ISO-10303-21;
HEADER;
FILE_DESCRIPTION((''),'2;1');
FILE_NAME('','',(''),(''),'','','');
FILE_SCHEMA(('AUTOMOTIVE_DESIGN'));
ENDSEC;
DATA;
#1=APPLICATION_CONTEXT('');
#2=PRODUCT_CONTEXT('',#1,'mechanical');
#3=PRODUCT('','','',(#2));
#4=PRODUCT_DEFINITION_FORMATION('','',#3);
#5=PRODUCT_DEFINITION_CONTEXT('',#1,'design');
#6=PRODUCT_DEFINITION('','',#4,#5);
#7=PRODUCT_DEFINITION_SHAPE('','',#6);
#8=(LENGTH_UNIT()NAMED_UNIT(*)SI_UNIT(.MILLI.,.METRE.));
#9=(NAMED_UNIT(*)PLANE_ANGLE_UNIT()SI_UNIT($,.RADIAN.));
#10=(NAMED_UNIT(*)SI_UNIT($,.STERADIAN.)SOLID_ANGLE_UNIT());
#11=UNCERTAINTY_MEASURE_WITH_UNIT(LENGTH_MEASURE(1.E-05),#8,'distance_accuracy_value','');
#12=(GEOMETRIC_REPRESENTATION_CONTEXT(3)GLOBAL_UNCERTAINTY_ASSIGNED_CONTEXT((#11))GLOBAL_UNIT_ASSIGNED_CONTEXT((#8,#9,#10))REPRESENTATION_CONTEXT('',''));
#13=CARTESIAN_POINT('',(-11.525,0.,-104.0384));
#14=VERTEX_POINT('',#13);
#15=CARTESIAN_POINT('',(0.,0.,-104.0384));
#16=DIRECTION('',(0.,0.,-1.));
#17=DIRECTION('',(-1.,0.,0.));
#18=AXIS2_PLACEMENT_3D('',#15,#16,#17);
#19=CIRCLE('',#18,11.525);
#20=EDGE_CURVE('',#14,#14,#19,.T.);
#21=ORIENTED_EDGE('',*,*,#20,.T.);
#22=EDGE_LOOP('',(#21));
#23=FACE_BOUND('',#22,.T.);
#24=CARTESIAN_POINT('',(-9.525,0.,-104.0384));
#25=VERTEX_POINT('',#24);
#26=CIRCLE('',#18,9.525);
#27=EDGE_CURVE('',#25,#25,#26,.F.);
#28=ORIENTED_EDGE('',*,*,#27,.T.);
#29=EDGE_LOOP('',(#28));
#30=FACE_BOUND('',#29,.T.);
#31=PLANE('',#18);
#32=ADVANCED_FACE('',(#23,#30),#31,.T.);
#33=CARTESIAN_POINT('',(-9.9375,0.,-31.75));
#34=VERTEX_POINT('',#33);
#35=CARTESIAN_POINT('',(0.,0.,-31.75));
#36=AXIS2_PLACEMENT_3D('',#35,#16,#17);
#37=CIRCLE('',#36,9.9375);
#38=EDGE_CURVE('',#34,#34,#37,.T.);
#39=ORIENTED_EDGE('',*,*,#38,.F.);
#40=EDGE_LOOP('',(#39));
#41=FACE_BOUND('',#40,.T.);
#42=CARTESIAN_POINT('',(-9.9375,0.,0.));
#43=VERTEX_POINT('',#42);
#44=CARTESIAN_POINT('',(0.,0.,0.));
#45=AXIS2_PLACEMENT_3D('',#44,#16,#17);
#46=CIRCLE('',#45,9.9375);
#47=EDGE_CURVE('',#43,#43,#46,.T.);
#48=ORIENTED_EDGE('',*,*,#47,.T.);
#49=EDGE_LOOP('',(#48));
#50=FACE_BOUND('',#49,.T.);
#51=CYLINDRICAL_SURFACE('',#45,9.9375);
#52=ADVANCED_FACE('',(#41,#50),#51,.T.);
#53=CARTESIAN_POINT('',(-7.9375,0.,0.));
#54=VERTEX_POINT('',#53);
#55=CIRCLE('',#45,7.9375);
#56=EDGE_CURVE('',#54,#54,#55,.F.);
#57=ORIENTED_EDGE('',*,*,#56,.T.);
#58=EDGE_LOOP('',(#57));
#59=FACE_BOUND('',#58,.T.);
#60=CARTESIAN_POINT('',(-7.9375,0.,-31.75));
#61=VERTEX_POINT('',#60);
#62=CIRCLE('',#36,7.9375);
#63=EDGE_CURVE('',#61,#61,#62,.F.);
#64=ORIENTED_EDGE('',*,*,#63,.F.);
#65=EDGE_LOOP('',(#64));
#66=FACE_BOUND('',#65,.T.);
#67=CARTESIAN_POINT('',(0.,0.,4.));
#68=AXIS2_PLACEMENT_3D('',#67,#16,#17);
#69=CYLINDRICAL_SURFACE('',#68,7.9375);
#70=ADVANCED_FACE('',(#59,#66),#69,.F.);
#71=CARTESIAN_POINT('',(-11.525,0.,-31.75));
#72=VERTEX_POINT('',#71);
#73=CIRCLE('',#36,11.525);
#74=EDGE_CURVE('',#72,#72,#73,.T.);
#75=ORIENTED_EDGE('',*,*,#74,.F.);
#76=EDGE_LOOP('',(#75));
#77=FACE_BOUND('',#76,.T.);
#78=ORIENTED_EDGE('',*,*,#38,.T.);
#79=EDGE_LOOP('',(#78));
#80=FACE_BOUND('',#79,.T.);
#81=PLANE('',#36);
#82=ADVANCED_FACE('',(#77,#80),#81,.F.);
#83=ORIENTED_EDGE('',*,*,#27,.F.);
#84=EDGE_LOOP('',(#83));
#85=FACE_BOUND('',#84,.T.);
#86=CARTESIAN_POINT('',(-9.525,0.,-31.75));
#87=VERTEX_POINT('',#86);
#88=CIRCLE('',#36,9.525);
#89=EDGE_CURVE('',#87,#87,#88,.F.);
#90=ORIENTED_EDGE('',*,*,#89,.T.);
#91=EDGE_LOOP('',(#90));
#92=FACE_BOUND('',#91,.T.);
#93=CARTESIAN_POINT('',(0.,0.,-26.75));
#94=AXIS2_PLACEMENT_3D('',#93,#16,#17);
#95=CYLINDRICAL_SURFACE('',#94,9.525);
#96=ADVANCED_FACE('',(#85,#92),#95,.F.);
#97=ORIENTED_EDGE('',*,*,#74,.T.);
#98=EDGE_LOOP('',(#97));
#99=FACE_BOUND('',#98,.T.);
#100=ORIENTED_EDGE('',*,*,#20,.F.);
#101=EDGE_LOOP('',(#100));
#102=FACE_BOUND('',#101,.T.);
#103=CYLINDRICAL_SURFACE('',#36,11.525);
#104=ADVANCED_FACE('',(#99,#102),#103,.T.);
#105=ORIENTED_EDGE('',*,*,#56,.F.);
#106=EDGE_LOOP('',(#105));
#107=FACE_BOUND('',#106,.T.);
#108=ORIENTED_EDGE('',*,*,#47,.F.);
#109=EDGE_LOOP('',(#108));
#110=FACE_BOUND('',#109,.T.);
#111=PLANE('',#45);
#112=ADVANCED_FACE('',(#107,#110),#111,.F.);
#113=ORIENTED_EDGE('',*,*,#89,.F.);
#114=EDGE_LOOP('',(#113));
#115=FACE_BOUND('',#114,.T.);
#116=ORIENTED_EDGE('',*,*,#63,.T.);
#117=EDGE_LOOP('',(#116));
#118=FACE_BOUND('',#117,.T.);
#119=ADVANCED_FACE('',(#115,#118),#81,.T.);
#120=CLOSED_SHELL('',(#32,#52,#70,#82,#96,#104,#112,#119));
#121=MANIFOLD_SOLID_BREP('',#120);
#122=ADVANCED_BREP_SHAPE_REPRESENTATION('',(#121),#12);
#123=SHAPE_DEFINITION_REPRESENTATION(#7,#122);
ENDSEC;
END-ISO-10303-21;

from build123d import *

# Parameters (mm, degrees)
SWEEP1_PROFILE_R     = 9.9375
CUT_SWEEP1_PROFILE_R = 7.9375
SWEEP2_PROFILE_R     = 11.525
CUT_SWEEP2_PROFILE_R = 9.525


with BuildPart() as part:
    # Sweep1: sweep along a path in Sketch9
    with BuildLine(Plane(origin=(0, 0, 0), x_dir=(1, 0, 0), z_dir=(0, 1, 0))) as sweep1_path:
        Line((0, 0), (0, 31.75))
    # Sweep1 profile (on start of the path) → Sweep1 (sweep)
    with BuildSketch(Plane(origin=(0, 0, 0), x_dir=(-1, 0, 0), z_dir=(0, 0, -1))):
        Circle(SWEEP1_PROFILE_R)
    sweep(path=sweep1_path.line)

    # Cut-Sweep1: sweep along a path in Sketch9<2>
    with BuildLine(Plane(origin=(0, 0, 0), x_dir=(1, 0, 0), z_dir=(0, 1, 0))) as cut_sweep1_path:
        Line((0, 0), (0, 31.75))
    # Cut-Sweep1 profile (on start of the path) → Cut-Sweep1 (sweep, cut)
    with BuildSketch(Plane(origin=(0, 0, 0), x_dir=(-1, 0, 0), z_dir=(0, 0, -1))):
        Circle(CUT_SWEEP1_PROFILE_R)
    sweep(path=cut_sweep1_path.line, mode=Mode.SUBTRACT)

    # Sweep2: sweep along a path in Sketch31
    with BuildLine(Plane(origin=(0, 0, 0), x_dir=(1, 0, 0), z_dir=(0, 1, 0))) as sweep2_path:
        Line((0, 31.75), (0, 104.0384))
    # Sweep2 profile (on start of the path) → Sweep2 (sweep)
    with BuildSketch(Plane(origin=(0, 0, -31.75), x_dir=(-1, 0, 0), z_dir=(0, 0, -1))):
        Circle(SWEEP2_PROFILE_R)
    sweep(path=sweep2_path.line)

    # Cut-Sweep2: sweep along a path in Sketch31<2>
    with BuildLine(Plane(origin=(0, 0, 0), x_dir=(1, 0, 0), z_dir=(0, 1, 0))) as cut_sweep2_path:
        Line((0, 31.75), (0, 104.0384))
    # Cut-Sweep2 profile (on start of the path) → Cut-Sweep2 (sweep, cut)
    with BuildSketch(Plane(origin=(0, 0, -31.75), x_dir=(-1, 0, 0), z_dir=(0, 0, -1))):
        Circle(CUT_SWEEP2_PROFILE_R)
    sweep(path=cut_sweep2_path.line, mode=Mode.SUBTRACT)


solid = part.part
